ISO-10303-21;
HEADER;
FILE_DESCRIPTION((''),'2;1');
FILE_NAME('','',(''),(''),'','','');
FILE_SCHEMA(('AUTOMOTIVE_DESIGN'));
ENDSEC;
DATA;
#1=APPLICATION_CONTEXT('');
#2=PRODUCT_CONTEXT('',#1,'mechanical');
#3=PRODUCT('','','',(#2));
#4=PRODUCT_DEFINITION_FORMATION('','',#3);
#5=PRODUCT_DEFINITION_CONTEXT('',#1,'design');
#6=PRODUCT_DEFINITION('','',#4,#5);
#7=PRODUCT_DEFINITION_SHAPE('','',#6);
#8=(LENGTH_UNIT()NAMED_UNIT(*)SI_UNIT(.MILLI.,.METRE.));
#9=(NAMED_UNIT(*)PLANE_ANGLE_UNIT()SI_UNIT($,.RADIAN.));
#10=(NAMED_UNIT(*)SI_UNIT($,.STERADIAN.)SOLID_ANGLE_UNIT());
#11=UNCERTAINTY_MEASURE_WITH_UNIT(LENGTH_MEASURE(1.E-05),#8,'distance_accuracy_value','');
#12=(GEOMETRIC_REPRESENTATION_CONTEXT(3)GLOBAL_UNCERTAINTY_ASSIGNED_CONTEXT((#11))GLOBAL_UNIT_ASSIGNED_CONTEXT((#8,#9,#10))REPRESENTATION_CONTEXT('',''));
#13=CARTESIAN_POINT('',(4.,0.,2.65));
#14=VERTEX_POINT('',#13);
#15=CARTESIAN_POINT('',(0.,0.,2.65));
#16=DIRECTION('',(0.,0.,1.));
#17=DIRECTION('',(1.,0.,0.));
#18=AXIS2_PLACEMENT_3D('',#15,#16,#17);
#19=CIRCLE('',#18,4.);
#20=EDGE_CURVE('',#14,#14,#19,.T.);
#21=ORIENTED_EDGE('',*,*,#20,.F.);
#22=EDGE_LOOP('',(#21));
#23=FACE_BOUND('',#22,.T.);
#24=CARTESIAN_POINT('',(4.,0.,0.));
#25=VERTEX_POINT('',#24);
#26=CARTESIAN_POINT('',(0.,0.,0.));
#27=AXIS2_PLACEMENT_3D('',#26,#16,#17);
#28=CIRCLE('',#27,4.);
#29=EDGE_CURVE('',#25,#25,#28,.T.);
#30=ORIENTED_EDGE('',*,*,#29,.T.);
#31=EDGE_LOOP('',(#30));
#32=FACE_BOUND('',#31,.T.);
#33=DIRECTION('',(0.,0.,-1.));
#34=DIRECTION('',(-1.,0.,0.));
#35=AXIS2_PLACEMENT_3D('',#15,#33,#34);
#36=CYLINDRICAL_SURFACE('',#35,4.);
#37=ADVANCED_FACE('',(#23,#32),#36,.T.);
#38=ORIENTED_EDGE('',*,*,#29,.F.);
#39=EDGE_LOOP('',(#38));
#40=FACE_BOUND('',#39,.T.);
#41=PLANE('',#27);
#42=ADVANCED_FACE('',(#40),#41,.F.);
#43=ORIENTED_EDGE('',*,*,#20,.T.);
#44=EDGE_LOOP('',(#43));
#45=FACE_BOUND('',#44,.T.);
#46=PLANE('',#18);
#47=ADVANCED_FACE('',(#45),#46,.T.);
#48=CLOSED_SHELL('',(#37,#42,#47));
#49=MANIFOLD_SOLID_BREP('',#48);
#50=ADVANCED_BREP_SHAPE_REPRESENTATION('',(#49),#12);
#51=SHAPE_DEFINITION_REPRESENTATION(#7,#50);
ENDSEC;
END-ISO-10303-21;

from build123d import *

# Parameters (mm, degrees)
SKETCH_1_R      = 4
EXTRUDE_1_DEPTH = 2.65


with BuildPart() as part:
    # 草图1 → 凸台-拉伸1 (new body)
    with BuildSketch(Plane.XY):
        Circle(SKETCH_1_R)
    extrude(amount=EXTRUDE_1_DEPTH)


solid = part.part
